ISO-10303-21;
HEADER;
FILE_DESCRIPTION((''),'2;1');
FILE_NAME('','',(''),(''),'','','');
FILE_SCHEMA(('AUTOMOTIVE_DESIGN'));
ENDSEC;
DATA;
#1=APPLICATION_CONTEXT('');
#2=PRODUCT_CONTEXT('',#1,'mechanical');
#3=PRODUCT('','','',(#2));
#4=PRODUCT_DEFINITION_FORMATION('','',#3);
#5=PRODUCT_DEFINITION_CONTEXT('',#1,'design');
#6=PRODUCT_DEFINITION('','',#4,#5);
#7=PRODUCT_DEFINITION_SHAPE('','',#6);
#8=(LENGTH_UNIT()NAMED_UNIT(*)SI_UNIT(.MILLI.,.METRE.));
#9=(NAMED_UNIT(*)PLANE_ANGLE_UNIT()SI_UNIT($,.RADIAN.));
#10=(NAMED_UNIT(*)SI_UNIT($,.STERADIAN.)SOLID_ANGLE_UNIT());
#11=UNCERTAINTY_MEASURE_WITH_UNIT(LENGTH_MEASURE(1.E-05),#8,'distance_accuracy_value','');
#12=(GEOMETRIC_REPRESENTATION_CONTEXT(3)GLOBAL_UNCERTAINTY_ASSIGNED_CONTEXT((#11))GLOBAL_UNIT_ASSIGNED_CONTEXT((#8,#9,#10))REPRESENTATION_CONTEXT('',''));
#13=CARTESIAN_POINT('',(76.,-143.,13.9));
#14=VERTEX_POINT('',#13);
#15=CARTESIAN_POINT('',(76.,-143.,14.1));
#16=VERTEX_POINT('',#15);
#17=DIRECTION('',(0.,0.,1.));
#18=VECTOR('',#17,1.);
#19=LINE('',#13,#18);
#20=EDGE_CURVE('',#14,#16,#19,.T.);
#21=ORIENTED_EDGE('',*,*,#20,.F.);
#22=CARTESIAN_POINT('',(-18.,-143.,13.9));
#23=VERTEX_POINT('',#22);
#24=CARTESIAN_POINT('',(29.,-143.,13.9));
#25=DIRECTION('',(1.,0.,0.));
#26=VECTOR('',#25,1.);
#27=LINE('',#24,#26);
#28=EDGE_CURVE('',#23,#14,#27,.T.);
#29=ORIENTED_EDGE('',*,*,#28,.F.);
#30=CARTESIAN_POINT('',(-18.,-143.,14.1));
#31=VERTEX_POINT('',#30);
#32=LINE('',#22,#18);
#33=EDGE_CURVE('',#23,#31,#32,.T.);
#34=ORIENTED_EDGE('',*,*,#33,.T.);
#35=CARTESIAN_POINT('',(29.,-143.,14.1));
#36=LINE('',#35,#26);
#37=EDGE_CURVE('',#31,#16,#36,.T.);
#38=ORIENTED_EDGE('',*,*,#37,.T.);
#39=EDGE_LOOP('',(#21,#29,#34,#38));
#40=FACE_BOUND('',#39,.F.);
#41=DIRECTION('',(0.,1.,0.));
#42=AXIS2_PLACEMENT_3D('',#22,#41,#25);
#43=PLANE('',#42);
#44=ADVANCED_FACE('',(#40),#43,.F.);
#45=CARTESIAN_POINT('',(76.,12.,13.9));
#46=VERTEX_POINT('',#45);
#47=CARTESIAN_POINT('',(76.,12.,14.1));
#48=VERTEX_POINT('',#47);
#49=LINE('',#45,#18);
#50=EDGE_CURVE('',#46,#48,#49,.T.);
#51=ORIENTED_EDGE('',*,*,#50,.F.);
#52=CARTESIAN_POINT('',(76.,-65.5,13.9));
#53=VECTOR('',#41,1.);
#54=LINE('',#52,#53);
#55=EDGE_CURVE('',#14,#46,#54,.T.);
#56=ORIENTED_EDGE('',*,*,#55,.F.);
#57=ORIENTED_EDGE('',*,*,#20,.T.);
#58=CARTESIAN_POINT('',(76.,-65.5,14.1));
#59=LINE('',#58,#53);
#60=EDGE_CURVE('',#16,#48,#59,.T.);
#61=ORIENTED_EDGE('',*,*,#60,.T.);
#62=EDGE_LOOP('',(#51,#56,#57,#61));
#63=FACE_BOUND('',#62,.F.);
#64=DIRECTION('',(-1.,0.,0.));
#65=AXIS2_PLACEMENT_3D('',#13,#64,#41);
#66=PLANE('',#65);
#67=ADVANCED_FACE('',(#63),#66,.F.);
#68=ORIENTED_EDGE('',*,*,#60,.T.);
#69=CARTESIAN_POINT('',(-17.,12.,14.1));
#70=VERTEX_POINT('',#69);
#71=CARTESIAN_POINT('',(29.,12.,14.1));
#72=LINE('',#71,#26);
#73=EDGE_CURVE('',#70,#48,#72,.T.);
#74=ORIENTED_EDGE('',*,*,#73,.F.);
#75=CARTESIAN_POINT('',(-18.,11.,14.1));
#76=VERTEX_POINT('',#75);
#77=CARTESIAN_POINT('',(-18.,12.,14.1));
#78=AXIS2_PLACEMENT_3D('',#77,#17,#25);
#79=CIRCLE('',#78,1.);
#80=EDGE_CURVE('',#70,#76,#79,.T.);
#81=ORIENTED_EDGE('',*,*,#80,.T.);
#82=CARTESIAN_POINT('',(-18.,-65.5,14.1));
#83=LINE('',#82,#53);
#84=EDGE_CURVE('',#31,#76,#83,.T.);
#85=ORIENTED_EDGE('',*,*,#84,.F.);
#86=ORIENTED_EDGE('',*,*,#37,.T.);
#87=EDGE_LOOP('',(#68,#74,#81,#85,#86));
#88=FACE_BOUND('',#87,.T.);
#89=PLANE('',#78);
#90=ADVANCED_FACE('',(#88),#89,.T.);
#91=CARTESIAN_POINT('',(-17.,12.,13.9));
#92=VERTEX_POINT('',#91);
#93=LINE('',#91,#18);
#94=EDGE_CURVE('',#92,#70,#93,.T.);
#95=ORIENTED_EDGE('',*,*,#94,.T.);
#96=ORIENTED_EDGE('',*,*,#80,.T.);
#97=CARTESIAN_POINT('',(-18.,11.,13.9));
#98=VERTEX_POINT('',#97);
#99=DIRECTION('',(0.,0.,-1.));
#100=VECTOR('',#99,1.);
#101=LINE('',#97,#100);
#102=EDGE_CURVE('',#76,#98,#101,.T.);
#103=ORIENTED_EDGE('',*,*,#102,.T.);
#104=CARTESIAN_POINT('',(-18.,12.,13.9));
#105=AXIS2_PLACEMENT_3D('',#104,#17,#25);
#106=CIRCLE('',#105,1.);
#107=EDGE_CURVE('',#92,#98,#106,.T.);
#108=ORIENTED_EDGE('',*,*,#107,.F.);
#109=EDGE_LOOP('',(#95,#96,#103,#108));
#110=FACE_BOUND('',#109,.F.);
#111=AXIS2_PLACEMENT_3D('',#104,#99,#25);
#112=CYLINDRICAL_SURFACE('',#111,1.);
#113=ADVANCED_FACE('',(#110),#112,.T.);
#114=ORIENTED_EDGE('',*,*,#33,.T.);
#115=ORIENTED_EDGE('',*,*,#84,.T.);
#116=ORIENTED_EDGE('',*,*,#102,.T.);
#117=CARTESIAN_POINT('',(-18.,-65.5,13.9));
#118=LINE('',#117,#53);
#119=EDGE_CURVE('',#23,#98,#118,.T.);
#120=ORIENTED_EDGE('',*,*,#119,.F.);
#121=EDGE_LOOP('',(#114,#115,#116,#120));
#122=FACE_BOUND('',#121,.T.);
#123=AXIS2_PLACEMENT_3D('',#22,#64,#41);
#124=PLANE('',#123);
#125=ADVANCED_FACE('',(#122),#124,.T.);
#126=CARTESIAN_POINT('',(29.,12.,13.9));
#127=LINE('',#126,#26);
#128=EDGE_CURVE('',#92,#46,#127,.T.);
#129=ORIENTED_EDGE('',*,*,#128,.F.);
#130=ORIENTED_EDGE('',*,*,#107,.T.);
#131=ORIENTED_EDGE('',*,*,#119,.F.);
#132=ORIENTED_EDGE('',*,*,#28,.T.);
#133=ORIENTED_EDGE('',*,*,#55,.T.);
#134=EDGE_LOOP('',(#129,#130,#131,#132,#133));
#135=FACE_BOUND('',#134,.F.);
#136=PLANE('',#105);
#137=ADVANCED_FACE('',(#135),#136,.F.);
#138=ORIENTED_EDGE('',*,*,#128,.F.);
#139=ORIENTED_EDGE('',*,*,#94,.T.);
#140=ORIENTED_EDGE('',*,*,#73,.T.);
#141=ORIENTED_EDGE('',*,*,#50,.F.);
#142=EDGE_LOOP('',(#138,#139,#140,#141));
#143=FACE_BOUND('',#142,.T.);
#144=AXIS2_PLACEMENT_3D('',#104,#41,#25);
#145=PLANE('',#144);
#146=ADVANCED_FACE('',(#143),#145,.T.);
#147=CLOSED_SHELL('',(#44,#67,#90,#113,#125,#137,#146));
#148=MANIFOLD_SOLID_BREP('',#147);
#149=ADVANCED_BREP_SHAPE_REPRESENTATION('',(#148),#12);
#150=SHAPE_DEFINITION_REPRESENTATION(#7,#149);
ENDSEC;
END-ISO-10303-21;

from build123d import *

# Parameters (mm, degrees)
CYLINDER_R     = 1
CYLINDER_DEPTH = 0.2
BOX003_W       = 94
BOX003_H       = 155
BOX003_DEPTH   = 0.2


with BuildPart() as cylinder:
    # Cylinder → Cylinder (new body)
    with BuildSketch(Plane(origin=(-18, 12, 13.9), x_dir=(1, 0, 0), z_dir=(0, 0, 1))):
        Circle(CYLINDER_R)
    extrude(amount=CYLINDER_DEPTH)


with BuildPart() as fusion:
    # Box003 → Box003 (new body)
    with BuildSketch(Plane(origin=(-18, -143, 13.9), x_dir=(1, 0, 0), z_dir=(0, 0, 1))):
        with Locations((47, 77.5)):
            Rectangle(BOX003_W, BOX003_H)
    extrude(amount=BOX003_DEPTH)

    # Fusion: union Cylinder
    add(cylinder.part)


solid = fusion.part
